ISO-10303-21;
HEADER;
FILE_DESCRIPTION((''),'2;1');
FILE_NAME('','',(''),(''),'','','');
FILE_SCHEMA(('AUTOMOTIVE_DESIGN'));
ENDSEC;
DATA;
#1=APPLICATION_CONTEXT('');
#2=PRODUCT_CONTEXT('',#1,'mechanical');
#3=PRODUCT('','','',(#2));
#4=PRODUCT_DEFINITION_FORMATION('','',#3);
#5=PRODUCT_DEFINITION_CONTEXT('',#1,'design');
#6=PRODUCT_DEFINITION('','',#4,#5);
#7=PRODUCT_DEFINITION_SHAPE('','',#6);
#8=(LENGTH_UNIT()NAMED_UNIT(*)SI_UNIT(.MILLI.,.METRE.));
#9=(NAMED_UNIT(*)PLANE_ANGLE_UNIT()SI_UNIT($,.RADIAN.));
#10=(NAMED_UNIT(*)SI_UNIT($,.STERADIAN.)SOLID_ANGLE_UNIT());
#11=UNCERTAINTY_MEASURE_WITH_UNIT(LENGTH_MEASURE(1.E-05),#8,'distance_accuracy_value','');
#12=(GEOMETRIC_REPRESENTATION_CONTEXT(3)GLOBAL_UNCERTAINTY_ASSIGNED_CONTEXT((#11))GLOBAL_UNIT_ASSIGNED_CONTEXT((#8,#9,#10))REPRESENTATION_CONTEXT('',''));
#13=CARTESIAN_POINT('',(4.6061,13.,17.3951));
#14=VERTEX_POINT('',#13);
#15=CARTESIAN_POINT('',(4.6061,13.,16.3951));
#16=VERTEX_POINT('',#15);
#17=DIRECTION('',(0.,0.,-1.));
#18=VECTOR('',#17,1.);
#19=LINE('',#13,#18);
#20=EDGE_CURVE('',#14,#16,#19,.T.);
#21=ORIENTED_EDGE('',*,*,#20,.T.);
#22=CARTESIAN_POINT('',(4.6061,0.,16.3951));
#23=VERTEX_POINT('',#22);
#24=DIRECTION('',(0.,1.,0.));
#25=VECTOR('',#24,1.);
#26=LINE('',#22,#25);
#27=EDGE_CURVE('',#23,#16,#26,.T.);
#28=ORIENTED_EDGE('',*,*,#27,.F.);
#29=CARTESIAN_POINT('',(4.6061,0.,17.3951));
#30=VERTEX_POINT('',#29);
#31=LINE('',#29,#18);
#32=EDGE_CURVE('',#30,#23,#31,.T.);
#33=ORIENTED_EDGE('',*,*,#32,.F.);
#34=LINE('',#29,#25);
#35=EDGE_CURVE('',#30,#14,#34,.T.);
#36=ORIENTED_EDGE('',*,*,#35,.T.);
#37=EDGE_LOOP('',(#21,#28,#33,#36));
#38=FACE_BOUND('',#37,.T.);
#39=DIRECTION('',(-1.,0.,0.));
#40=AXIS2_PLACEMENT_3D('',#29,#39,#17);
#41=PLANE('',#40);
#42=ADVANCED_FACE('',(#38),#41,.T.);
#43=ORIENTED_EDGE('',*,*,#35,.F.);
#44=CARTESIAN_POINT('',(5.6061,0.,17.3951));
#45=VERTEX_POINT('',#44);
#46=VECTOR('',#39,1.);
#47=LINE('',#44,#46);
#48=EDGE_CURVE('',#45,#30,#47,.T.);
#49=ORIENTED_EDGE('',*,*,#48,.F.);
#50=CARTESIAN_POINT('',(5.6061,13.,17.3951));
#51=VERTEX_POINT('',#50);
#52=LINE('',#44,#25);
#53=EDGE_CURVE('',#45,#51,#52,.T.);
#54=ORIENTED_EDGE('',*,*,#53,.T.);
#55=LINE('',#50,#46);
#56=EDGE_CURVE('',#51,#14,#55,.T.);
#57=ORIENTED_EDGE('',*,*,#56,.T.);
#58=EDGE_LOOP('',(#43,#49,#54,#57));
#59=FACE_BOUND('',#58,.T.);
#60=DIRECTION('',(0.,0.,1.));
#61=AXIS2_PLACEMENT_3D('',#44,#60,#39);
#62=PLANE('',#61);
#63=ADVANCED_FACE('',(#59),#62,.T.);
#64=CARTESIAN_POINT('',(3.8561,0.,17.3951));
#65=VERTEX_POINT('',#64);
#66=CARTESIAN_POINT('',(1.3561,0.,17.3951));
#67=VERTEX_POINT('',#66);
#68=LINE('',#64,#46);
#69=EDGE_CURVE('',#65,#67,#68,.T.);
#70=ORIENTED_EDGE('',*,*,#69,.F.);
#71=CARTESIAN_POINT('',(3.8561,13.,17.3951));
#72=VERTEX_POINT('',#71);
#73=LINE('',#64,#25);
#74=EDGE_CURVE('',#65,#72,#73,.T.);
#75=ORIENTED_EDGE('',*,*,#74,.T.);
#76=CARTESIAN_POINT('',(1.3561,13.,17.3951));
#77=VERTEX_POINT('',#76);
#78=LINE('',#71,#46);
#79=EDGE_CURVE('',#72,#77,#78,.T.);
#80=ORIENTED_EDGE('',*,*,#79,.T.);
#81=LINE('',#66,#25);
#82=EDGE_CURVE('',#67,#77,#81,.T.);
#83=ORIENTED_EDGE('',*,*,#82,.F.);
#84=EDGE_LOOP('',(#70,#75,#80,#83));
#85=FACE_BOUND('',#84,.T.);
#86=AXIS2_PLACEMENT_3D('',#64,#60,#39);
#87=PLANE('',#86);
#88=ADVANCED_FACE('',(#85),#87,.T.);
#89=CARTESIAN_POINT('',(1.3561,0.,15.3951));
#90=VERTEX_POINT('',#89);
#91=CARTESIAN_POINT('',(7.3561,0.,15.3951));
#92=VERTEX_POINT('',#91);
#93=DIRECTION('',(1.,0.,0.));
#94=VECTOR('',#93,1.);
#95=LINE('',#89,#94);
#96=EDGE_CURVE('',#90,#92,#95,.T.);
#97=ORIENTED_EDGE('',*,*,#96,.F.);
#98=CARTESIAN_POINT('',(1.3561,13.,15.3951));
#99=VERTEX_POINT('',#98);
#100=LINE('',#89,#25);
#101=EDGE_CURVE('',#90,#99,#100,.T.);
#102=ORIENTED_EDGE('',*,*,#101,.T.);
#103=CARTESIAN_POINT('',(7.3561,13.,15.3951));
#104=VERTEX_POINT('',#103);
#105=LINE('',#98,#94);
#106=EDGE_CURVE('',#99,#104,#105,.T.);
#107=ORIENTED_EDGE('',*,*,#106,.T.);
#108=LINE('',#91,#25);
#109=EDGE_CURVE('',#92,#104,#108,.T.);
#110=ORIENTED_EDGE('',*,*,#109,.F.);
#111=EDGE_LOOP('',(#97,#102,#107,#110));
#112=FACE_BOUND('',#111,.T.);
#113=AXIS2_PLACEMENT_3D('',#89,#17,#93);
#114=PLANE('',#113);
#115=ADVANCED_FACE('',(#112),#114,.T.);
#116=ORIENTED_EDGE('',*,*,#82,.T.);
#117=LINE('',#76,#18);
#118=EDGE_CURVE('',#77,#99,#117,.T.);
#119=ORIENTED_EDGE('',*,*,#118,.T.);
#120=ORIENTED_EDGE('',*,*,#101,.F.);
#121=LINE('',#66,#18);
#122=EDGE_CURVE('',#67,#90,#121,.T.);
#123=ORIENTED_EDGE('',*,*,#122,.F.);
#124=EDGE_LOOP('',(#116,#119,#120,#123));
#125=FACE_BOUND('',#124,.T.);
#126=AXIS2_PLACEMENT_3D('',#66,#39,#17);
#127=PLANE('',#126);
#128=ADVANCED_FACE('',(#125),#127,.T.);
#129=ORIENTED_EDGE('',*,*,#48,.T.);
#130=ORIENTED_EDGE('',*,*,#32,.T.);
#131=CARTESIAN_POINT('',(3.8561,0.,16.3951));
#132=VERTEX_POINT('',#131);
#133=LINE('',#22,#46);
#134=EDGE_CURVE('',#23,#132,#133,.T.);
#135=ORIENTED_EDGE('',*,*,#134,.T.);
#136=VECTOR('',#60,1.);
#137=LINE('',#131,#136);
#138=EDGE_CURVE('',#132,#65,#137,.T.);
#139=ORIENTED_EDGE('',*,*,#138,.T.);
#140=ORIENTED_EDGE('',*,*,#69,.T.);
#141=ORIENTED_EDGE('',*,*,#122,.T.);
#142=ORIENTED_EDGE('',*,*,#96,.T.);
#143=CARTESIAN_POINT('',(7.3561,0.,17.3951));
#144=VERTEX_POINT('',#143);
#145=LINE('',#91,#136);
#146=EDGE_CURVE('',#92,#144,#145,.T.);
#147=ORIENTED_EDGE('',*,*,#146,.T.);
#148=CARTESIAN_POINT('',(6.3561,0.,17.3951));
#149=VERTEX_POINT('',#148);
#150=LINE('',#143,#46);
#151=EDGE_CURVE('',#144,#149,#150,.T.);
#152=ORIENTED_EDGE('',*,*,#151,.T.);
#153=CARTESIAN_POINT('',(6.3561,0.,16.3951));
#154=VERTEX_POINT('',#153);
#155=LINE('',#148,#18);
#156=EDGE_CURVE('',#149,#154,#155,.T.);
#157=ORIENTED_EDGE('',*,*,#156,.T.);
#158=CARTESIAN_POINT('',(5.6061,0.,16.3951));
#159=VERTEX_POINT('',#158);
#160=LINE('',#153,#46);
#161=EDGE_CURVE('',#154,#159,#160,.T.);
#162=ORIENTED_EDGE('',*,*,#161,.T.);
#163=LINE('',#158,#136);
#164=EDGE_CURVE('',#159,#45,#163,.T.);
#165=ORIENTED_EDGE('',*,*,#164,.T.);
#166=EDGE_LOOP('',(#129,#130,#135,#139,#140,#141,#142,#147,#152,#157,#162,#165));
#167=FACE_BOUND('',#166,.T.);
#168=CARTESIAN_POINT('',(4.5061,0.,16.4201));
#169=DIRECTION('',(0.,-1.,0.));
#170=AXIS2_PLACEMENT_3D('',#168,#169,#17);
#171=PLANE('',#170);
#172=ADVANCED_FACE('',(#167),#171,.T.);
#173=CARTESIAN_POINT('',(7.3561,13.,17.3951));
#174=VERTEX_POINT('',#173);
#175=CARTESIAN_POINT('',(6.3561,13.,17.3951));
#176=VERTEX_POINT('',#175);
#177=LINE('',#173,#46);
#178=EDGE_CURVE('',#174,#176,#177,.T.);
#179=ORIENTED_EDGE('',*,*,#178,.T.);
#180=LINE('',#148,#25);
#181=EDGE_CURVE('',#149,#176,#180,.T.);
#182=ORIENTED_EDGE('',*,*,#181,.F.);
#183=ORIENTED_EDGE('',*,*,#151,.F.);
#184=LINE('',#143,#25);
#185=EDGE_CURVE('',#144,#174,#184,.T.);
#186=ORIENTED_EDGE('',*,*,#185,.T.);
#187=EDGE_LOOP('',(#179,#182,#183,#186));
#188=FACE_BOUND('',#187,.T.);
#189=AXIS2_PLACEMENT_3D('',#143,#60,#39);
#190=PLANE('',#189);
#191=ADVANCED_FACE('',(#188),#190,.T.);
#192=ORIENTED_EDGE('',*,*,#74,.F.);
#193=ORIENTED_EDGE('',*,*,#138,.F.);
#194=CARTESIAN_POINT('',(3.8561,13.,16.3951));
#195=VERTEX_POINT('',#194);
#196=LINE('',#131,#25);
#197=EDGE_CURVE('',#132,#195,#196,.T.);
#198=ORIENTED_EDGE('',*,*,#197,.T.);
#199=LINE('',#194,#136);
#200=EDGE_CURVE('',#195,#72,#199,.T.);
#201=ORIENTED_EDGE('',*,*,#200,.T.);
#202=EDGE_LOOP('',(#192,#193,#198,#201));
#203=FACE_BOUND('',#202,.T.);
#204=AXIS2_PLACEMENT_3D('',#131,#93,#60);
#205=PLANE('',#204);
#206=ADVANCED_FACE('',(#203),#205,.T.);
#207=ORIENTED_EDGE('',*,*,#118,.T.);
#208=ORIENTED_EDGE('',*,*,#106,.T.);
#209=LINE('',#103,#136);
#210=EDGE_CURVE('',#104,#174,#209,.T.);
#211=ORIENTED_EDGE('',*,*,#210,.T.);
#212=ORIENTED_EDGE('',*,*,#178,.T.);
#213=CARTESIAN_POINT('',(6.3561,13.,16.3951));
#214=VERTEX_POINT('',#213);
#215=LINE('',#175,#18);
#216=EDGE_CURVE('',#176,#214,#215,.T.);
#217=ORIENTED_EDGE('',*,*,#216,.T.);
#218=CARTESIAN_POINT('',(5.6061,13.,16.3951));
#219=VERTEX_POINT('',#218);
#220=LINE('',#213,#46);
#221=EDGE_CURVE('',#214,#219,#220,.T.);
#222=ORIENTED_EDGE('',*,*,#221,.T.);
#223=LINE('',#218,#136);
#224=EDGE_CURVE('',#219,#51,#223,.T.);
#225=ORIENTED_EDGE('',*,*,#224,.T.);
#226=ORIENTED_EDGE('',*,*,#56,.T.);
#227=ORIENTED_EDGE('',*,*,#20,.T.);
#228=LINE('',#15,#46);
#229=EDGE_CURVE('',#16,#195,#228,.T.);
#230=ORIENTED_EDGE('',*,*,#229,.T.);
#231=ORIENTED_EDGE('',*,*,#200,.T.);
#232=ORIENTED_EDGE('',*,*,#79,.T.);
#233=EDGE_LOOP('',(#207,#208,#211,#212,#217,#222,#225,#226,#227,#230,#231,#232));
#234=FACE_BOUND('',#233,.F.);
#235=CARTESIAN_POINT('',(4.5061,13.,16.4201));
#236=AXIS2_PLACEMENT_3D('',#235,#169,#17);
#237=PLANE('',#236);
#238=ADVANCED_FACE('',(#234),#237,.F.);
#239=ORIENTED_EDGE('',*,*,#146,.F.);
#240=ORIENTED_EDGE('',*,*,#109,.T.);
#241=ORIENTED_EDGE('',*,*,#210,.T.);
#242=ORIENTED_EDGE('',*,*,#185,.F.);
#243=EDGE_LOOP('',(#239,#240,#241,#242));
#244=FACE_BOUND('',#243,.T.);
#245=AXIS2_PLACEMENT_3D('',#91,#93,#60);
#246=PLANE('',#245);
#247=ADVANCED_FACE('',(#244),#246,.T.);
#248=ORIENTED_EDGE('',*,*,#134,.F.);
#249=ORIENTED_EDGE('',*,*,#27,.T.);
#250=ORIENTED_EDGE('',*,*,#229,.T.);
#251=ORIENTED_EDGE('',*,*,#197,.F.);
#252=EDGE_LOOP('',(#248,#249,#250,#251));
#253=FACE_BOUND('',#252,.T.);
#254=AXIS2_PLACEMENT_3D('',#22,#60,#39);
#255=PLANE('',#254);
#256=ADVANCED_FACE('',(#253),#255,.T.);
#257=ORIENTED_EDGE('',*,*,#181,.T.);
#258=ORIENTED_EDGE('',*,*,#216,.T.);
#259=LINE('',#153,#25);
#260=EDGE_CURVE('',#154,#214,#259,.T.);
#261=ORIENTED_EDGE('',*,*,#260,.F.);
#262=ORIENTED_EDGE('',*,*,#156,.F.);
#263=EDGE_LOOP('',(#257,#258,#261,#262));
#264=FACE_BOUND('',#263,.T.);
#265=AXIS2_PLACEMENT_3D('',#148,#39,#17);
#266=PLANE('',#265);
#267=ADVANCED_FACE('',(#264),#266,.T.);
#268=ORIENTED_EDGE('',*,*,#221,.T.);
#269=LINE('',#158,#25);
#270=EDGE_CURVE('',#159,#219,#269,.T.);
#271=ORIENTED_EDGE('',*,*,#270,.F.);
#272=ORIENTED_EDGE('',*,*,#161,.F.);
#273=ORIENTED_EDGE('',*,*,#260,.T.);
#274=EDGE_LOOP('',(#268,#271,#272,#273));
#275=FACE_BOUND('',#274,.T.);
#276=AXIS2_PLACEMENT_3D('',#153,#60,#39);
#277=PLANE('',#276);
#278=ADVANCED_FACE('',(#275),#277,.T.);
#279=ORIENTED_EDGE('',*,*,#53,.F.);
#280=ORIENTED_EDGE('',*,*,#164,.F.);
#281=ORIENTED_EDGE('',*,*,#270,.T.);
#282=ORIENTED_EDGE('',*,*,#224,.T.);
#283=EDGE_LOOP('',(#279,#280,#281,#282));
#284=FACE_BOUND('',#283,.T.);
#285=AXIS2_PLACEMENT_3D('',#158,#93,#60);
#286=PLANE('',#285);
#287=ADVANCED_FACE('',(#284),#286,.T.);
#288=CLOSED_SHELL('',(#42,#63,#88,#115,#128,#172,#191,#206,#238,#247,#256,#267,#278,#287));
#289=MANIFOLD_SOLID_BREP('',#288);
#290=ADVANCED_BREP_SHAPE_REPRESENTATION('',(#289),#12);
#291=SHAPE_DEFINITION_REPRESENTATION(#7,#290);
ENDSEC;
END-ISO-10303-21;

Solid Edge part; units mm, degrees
sketch "Sketch1" plane through (-29.1145, 0, 1.6522) normal (0, -1, 0) x (1, 0, 0)
  line L0 (30.4706, 13.7429) -> (36.4706, 13.7429)
  line L1 (30.4706, 15.7429) -> (30.4706, 13.7429)
  line L2 (32.9706, 15.7429) -> (30.4706, 15.7429)
  line L3 (32.9706, 14.7429) -> (32.9706, 15.7429)
  line L4 (33.7206, 14.7429) -> (32.9706, 14.7429)
  line L5 (33.7206, 15.7429) -> (33.7206, 14.7429)
  line L6 (34.7206, 15.7429) -> (33.7206, 15.7429)
  line L7 (34.7206, 14.7429) -> (34.7206, 15.7429)
  line L8 (35.4706, 14.7429) -> (34.7206, 14.7429)
  line L9 (35.4706, 15.7429) -> (35.4706, 14.7429)
  line L10 (36.4706, 15.7429) -> (35.4706, 15.7429)
  line L11 (36.4706, 13.7429) -> (36.4706, 15.7429)
extrude "Protrusion1" add sketch "Sketch1" against normal blind 13
properties material "Stainless Steel, 420"
